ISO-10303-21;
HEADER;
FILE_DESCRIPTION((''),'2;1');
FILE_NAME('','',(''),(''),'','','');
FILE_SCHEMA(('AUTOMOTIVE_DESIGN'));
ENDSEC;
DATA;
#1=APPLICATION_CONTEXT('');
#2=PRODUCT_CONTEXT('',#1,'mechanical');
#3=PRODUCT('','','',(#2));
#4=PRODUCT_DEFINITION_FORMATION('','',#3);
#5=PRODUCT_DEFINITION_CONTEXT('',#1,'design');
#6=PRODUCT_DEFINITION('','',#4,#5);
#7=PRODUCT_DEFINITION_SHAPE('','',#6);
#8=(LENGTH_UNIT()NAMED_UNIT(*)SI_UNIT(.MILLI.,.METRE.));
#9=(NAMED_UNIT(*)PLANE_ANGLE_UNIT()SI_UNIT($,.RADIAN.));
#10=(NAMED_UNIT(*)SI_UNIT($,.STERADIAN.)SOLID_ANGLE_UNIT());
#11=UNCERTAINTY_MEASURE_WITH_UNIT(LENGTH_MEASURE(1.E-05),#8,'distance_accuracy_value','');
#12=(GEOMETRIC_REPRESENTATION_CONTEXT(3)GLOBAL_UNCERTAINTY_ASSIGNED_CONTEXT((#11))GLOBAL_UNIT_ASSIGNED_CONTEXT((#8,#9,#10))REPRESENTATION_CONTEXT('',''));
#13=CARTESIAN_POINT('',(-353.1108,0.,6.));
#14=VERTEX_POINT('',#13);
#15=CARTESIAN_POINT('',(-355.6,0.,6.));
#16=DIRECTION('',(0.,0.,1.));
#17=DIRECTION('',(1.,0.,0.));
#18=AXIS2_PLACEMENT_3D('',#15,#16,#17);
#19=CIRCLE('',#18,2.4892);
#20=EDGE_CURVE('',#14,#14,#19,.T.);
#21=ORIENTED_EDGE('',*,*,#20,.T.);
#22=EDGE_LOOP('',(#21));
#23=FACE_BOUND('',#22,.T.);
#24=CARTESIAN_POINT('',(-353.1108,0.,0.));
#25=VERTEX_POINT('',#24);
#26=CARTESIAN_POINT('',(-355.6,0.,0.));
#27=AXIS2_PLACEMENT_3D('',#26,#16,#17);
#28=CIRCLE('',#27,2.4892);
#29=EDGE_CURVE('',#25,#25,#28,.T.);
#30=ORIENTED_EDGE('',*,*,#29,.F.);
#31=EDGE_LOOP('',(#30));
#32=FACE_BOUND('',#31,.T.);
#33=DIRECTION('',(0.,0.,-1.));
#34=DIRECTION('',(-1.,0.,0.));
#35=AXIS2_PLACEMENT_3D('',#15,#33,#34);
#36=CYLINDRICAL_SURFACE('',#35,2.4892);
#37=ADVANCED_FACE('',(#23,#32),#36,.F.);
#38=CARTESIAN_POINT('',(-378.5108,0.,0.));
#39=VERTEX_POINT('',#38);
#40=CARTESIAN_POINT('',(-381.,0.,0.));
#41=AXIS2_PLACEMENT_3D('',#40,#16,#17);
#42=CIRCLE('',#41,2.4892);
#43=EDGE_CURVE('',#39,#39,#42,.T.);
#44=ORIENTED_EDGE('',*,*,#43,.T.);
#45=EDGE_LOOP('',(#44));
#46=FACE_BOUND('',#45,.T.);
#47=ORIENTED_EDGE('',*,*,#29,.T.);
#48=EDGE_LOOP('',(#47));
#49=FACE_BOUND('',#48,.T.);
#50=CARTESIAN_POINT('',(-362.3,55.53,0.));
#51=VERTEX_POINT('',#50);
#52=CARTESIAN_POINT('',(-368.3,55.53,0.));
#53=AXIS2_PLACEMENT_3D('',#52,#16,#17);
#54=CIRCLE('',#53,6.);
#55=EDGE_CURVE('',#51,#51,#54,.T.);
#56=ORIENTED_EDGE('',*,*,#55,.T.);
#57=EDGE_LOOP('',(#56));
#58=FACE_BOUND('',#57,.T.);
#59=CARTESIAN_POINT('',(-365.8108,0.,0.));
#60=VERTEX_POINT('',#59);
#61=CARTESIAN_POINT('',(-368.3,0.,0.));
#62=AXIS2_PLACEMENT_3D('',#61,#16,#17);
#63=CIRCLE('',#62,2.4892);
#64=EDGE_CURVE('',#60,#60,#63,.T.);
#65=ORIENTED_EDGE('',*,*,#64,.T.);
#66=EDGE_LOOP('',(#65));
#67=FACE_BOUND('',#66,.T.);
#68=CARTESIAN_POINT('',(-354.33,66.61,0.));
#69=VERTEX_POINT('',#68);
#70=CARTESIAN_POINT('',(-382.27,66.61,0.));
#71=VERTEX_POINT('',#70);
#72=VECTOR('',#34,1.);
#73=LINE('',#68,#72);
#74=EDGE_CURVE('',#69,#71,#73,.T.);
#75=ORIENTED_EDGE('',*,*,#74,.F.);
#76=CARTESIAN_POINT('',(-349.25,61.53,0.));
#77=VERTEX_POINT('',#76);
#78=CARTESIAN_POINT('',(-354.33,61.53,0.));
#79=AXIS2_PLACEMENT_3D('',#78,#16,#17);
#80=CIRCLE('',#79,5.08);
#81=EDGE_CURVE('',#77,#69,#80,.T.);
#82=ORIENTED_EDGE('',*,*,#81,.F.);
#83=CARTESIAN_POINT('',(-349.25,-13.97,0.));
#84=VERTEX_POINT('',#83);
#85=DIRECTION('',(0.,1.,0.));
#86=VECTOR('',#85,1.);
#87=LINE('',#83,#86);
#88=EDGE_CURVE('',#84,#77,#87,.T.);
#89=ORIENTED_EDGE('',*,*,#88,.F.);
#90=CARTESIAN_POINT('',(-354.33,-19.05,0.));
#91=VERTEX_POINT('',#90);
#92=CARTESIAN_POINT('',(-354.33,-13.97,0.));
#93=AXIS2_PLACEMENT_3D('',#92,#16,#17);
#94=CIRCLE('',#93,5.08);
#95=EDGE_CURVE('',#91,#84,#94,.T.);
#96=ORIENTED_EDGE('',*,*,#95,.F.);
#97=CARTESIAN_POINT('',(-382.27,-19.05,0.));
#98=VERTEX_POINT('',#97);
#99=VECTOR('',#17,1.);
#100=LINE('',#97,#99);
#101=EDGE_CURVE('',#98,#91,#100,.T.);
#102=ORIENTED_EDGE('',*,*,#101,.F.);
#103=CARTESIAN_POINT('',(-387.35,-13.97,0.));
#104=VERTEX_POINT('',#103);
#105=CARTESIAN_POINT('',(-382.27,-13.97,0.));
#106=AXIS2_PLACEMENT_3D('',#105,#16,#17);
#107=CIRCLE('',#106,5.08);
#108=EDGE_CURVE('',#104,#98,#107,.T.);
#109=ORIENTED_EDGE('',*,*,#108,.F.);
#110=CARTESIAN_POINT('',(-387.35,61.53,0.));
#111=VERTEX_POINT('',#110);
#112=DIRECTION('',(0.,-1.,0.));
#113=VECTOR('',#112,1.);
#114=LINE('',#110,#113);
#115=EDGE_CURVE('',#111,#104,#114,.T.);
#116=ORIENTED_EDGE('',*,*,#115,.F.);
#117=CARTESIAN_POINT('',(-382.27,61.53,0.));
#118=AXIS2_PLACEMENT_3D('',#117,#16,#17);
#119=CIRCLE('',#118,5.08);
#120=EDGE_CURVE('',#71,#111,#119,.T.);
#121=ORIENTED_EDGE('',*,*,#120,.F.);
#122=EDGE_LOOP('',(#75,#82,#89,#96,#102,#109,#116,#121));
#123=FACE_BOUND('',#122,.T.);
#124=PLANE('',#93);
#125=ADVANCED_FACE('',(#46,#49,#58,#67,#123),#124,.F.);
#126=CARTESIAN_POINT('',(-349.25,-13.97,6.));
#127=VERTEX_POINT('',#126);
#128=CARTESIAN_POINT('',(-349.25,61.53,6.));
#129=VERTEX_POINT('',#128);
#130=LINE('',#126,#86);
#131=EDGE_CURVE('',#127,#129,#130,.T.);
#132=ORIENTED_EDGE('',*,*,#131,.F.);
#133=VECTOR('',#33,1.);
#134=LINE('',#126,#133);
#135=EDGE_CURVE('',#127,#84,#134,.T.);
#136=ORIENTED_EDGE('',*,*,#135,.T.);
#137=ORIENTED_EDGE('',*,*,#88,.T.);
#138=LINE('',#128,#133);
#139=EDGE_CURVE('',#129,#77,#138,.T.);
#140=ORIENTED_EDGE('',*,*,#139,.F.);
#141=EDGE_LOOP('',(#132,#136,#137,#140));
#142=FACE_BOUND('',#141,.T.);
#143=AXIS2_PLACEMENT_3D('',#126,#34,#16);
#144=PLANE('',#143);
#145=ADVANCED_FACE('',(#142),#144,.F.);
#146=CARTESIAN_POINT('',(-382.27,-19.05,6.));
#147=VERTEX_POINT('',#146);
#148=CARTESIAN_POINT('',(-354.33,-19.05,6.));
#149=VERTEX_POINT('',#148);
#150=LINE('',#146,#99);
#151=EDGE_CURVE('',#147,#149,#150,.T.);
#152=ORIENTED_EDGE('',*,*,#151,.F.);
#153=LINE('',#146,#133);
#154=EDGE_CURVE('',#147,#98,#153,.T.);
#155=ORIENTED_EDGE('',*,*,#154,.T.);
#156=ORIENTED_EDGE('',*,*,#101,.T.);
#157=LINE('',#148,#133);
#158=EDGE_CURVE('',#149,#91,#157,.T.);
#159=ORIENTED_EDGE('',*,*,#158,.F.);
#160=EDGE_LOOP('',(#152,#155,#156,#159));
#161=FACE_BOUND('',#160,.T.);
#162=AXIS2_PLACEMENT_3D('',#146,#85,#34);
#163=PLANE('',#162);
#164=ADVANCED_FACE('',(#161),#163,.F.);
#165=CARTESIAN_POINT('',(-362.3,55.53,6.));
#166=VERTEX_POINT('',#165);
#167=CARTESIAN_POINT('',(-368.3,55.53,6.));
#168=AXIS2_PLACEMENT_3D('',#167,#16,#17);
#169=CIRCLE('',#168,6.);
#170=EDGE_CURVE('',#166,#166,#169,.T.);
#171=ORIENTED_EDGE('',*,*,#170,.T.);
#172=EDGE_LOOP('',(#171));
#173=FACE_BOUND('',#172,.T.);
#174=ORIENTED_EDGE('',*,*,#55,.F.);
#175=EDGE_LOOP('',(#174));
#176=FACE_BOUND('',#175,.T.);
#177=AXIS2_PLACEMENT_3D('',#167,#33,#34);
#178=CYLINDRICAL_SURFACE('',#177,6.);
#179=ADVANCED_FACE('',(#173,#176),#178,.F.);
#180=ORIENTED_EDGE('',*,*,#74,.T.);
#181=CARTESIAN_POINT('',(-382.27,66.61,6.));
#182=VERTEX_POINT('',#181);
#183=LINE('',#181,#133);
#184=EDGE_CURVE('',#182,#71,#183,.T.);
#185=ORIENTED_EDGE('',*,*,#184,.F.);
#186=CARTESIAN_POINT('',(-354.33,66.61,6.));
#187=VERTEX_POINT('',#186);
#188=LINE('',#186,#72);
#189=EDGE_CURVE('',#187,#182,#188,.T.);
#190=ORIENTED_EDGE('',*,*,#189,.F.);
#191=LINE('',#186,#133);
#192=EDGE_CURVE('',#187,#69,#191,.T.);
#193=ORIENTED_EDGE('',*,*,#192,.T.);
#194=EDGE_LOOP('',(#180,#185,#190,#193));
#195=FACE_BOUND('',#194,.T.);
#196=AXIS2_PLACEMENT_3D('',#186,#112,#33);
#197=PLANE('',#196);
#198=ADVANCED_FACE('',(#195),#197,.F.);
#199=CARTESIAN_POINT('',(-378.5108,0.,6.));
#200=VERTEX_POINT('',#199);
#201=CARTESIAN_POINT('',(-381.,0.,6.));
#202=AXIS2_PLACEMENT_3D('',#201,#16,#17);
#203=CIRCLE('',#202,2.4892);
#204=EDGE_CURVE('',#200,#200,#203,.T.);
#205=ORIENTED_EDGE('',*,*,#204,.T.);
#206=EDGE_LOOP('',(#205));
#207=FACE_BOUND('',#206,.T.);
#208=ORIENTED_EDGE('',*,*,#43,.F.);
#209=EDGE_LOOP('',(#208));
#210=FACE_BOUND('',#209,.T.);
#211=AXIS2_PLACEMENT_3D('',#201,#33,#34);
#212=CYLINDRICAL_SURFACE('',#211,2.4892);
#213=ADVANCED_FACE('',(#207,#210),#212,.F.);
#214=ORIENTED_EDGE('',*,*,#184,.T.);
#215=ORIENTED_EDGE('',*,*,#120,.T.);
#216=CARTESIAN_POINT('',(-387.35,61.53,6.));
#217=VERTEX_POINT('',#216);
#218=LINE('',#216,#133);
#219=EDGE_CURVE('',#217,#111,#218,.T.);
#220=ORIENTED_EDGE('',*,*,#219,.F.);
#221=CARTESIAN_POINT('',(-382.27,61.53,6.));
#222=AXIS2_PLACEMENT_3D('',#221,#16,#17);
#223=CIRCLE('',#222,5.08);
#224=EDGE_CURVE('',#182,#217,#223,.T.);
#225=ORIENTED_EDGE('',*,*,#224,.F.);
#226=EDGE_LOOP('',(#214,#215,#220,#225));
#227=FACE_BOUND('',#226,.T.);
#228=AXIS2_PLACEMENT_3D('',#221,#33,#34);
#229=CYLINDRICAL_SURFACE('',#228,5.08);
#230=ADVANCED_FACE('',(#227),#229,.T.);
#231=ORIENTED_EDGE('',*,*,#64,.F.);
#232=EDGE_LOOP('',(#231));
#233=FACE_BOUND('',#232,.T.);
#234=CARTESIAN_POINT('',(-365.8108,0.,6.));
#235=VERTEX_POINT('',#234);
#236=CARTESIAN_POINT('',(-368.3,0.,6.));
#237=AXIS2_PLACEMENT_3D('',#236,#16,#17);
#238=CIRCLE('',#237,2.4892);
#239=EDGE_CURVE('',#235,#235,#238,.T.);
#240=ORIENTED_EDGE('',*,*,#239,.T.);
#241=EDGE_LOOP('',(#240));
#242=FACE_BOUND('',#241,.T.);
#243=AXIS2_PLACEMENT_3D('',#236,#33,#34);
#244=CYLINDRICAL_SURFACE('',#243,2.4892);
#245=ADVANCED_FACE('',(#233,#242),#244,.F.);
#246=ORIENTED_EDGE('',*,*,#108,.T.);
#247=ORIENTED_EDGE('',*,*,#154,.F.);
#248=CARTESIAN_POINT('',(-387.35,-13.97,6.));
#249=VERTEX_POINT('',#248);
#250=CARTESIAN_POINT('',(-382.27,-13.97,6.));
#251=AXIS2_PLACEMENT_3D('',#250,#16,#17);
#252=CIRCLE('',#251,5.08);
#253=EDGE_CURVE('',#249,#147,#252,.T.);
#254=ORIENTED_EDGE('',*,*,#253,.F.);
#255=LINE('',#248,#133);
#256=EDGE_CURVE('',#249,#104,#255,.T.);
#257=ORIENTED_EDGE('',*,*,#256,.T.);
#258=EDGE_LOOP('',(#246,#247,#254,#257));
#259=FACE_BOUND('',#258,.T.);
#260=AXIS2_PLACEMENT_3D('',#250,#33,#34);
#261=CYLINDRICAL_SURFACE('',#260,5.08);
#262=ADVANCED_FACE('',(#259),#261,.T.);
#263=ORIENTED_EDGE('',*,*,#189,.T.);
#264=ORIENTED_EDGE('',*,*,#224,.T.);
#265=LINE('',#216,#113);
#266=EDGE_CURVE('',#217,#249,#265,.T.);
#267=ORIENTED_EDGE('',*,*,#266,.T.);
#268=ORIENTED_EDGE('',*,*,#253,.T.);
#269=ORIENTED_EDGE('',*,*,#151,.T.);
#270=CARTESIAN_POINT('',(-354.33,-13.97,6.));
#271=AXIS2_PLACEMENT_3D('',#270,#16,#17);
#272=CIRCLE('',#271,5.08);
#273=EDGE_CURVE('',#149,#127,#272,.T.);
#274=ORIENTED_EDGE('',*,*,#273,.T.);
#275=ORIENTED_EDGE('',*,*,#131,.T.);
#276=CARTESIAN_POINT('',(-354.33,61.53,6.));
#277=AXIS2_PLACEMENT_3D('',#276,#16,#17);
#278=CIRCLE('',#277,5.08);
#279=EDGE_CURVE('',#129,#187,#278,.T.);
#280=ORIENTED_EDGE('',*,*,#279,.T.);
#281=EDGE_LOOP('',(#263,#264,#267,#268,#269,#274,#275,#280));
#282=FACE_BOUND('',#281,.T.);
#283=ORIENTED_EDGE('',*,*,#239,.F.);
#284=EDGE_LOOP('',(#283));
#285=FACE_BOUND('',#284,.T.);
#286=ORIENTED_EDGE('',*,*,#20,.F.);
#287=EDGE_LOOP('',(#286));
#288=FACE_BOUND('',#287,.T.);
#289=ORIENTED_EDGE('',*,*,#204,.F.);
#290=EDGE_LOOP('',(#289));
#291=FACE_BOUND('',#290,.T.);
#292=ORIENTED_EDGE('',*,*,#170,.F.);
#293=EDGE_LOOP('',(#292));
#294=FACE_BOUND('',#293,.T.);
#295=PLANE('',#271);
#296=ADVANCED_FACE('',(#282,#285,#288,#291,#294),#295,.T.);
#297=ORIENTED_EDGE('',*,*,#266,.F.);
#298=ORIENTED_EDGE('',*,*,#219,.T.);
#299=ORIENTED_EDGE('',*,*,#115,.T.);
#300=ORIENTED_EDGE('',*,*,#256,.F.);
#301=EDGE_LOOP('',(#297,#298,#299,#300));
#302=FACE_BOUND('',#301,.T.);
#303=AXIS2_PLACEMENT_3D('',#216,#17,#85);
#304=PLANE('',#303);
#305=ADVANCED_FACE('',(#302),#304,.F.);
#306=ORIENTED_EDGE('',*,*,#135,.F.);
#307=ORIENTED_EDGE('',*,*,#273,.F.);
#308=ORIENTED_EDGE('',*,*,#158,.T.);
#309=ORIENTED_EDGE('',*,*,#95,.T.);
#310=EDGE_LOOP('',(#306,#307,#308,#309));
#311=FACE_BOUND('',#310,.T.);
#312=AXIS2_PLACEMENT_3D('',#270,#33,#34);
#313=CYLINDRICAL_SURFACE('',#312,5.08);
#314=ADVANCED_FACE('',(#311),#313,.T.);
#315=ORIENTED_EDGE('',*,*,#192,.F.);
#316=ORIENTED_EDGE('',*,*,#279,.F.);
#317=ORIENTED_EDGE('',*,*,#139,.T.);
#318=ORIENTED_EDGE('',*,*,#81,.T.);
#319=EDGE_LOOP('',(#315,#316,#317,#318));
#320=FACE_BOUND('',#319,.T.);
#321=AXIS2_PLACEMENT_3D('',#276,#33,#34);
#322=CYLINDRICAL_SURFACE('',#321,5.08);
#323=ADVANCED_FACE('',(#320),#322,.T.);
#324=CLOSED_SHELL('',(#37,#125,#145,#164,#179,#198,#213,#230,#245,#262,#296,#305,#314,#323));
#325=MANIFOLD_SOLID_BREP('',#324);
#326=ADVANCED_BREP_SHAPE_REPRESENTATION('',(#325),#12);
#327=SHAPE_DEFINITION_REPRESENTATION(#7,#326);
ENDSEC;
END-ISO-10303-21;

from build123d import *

# Parameters (mm, degrees)
SKETCH1_R           = 2.4892
SKETCH1_R_2         = 6
BOSS_EXTRUDE1_DEPTH = 6


with BuildPart() as part:
    # Sketch1 → Boss-Extrude1 (new body)
    with BuildSketch(Plane.XY):
        with BuildLine():
            Line((-382.27, -19.05), (-354.33, -19.05))
            ThreePointArc((-354.33, -19.05), (-350.737897552, -17.562102448), (-349.25, -13.97))
            Line((-349.25, -13.97), (-349.25, 61.53))
            ThreePointArc((-349.25, 61.53), (-350.737897552, 65.122102448), (-354.33, 66.61))
            Line((-354.33, 66.61), (-382.27, 66.61))
            ThreePointArc((-382.27, 66.61), (-385.862102448, 65.122102448), (-387.35, 61.53))
            Line((-387.35, 61.53), (-387.35, -13.97))
            ThreePointArc((-387.35, -13.97), (-385.862102448, -17.562102448), (-382.27, -19.05))
        make_face()
        with Locations((-368.3, 0)):
            Circle(SKETCH1_R, mode=Mode.SUBTRACT)
        with Locations((-355.6, 0)):
            Circle(SKETCH1_R, mode=Mode.SUBTRACT)
        with Locations((-381, 0)):
            Circle(SKETCH1_R, mode=Mode.SUBTRACT)
        with Locations((-368.3, 55.53)):
            Circle(SKETCH1_R_2, mode=Mode.SUBTRACT)
    extrude(amount=BOSS_EXTRUDE1_DEPTH)


solid = part.part
